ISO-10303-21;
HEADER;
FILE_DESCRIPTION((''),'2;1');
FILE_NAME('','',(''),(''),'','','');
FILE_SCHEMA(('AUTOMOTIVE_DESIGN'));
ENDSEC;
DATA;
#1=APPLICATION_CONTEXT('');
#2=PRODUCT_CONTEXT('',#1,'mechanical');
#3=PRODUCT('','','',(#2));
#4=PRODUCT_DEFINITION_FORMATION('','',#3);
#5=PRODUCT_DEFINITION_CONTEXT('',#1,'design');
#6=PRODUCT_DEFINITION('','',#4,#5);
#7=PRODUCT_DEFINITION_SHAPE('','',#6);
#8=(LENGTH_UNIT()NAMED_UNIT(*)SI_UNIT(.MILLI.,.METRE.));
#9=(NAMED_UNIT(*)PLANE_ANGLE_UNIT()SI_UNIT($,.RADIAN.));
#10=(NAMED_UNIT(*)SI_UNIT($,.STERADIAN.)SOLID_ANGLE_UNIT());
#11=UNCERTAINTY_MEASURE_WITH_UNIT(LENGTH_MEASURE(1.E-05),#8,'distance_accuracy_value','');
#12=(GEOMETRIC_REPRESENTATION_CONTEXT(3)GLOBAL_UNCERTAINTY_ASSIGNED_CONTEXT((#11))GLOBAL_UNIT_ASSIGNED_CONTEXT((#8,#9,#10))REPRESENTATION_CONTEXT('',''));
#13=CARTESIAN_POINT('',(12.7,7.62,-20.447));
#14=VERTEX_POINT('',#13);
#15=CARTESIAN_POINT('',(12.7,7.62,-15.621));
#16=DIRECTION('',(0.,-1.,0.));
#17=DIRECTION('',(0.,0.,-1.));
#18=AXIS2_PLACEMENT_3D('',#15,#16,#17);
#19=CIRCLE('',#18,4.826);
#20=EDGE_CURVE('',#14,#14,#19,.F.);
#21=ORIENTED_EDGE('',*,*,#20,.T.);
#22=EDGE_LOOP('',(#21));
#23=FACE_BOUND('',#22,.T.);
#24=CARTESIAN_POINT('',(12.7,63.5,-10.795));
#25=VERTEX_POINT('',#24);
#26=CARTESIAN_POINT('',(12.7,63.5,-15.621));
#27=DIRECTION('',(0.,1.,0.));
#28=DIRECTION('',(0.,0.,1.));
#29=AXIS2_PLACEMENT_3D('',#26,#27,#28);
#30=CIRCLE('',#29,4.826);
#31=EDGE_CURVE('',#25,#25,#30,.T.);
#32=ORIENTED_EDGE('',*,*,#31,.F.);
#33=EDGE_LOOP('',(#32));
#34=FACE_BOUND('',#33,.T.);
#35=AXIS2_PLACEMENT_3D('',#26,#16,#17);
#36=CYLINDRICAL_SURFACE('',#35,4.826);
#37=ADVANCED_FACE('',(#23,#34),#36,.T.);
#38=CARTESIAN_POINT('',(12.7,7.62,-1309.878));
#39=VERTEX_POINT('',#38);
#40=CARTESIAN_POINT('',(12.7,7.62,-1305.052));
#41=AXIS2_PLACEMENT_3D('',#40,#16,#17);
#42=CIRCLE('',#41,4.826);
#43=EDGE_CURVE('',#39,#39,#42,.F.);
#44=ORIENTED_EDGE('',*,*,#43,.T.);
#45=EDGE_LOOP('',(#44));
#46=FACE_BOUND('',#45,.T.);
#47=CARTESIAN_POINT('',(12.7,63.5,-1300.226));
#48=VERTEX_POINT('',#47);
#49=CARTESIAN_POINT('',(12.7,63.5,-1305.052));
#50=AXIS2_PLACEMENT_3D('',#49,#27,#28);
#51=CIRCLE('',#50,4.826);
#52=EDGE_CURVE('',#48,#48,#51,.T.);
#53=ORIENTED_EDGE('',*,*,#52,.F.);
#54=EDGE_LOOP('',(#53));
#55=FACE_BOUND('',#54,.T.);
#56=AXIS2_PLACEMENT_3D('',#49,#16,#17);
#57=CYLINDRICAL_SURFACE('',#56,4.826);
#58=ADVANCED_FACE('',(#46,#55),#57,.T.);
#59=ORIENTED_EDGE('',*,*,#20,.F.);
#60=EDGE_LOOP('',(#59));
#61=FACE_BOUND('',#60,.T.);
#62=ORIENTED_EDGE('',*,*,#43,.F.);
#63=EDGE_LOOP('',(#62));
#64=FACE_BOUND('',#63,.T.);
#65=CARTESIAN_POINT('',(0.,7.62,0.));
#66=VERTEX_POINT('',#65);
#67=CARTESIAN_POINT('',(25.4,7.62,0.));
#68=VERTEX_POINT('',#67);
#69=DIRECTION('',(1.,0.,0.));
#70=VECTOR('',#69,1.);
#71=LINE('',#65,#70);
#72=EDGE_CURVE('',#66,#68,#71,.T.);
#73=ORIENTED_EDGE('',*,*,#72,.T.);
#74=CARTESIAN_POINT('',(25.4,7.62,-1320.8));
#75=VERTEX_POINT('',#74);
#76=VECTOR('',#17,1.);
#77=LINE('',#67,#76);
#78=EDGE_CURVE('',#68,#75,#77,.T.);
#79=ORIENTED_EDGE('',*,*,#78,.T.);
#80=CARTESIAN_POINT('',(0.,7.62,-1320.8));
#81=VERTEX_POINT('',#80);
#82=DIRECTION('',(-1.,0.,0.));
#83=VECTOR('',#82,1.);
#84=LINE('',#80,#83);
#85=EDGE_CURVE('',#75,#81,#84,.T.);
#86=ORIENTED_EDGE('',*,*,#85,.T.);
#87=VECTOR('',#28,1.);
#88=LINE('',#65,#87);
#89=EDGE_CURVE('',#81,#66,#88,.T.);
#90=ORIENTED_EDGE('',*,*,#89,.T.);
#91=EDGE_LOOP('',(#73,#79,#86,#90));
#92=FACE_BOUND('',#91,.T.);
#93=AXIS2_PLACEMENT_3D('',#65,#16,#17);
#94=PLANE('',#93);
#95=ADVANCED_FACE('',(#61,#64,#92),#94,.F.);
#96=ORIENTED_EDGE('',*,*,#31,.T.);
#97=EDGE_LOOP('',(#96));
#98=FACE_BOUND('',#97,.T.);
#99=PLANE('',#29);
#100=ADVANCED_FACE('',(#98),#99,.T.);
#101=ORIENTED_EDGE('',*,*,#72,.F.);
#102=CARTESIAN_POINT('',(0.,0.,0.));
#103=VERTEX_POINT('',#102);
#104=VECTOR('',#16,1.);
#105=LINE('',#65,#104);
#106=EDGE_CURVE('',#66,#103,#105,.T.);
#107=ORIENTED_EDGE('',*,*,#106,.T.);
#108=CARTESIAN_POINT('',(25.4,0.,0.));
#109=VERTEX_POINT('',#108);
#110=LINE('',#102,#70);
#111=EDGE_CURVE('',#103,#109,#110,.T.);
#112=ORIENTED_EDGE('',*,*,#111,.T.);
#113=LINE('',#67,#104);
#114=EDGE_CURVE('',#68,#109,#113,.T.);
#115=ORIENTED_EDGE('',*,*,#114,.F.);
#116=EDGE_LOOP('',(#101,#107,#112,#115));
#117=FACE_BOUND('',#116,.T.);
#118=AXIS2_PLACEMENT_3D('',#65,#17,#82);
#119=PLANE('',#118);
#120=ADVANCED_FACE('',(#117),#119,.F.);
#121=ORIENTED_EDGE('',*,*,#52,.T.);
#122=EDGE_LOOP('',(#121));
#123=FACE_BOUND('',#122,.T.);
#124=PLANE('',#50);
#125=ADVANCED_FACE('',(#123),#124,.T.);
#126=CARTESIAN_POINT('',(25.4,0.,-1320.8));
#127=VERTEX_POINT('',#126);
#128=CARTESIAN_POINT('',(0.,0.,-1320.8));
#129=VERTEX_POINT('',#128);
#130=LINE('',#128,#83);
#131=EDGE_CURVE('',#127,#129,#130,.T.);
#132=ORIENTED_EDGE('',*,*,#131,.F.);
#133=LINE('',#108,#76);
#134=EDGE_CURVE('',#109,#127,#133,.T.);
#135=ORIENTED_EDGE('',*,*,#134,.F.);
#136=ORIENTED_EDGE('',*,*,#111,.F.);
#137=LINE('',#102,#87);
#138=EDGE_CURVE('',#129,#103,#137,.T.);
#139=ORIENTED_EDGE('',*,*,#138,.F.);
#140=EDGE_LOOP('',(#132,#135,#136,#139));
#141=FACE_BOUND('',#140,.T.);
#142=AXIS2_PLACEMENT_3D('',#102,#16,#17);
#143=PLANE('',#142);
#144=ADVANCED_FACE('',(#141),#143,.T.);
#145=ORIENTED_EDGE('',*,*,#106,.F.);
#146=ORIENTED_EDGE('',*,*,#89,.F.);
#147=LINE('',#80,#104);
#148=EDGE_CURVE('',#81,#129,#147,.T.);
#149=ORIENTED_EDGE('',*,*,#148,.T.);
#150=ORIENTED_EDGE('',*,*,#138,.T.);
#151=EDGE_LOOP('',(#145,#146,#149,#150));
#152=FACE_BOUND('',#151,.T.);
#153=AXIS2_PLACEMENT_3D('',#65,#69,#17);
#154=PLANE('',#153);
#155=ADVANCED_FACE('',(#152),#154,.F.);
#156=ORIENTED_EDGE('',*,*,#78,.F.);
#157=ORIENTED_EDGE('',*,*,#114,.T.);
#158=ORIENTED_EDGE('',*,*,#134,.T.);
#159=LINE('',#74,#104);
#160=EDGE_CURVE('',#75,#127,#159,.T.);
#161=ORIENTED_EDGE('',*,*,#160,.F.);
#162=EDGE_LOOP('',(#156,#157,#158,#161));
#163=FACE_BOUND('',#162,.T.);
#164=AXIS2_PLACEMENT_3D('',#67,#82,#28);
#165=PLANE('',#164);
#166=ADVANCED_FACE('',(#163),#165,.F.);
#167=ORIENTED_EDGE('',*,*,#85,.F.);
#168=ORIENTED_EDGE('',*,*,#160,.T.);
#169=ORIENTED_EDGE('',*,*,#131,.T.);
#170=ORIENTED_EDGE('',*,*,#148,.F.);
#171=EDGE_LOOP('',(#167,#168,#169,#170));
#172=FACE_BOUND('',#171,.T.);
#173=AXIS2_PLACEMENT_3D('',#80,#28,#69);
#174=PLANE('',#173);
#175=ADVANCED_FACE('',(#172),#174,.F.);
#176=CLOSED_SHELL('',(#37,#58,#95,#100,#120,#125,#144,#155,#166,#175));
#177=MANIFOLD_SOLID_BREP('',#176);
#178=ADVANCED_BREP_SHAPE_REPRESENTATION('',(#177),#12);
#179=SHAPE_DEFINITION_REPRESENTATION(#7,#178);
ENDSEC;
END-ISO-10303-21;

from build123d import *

# Parameters (mm, degrees)
SKETCH1_W           = 25.4
SKETCH1_H           = 1320.8
BOSS_EXTRUDE1_DEPTH = 7.62
SKETCH2_R           = 4.826
BOSS_EXTRUDE2_DEPTH = 55.88


with BuildPart() as part:
    # Sketch1 → Boss-Extrude1 (new body)
    with BuildSketch(Plane(origin=(0, 0, 0), x_dir=(1, 0, 0), z_dir=(0, 1, 0))):
        with Locations((12.7, 660.4)):
            Rectangle(SKETCH1_W, SKETCH1_H)
    extrude(amount=BOSS_EXTRUDE1_DEPTH)

    # Sketch2 → Boss-Extrude2 (add)
    with BuildSketch(Plane(origin=(0, 7.62, 0), x_dir=(1, 0, 0), z_dir=(0, 1, 0))):
        with Locations((12.7, 15.621)):
            Circle(SKETCH2_R)
        with Locations((12.7, 1305.052)):
            Circle(SKETCH2_R)
    extrude(amount=BOSS_EXTRUDE2_DEPTH)


solid = part.part
